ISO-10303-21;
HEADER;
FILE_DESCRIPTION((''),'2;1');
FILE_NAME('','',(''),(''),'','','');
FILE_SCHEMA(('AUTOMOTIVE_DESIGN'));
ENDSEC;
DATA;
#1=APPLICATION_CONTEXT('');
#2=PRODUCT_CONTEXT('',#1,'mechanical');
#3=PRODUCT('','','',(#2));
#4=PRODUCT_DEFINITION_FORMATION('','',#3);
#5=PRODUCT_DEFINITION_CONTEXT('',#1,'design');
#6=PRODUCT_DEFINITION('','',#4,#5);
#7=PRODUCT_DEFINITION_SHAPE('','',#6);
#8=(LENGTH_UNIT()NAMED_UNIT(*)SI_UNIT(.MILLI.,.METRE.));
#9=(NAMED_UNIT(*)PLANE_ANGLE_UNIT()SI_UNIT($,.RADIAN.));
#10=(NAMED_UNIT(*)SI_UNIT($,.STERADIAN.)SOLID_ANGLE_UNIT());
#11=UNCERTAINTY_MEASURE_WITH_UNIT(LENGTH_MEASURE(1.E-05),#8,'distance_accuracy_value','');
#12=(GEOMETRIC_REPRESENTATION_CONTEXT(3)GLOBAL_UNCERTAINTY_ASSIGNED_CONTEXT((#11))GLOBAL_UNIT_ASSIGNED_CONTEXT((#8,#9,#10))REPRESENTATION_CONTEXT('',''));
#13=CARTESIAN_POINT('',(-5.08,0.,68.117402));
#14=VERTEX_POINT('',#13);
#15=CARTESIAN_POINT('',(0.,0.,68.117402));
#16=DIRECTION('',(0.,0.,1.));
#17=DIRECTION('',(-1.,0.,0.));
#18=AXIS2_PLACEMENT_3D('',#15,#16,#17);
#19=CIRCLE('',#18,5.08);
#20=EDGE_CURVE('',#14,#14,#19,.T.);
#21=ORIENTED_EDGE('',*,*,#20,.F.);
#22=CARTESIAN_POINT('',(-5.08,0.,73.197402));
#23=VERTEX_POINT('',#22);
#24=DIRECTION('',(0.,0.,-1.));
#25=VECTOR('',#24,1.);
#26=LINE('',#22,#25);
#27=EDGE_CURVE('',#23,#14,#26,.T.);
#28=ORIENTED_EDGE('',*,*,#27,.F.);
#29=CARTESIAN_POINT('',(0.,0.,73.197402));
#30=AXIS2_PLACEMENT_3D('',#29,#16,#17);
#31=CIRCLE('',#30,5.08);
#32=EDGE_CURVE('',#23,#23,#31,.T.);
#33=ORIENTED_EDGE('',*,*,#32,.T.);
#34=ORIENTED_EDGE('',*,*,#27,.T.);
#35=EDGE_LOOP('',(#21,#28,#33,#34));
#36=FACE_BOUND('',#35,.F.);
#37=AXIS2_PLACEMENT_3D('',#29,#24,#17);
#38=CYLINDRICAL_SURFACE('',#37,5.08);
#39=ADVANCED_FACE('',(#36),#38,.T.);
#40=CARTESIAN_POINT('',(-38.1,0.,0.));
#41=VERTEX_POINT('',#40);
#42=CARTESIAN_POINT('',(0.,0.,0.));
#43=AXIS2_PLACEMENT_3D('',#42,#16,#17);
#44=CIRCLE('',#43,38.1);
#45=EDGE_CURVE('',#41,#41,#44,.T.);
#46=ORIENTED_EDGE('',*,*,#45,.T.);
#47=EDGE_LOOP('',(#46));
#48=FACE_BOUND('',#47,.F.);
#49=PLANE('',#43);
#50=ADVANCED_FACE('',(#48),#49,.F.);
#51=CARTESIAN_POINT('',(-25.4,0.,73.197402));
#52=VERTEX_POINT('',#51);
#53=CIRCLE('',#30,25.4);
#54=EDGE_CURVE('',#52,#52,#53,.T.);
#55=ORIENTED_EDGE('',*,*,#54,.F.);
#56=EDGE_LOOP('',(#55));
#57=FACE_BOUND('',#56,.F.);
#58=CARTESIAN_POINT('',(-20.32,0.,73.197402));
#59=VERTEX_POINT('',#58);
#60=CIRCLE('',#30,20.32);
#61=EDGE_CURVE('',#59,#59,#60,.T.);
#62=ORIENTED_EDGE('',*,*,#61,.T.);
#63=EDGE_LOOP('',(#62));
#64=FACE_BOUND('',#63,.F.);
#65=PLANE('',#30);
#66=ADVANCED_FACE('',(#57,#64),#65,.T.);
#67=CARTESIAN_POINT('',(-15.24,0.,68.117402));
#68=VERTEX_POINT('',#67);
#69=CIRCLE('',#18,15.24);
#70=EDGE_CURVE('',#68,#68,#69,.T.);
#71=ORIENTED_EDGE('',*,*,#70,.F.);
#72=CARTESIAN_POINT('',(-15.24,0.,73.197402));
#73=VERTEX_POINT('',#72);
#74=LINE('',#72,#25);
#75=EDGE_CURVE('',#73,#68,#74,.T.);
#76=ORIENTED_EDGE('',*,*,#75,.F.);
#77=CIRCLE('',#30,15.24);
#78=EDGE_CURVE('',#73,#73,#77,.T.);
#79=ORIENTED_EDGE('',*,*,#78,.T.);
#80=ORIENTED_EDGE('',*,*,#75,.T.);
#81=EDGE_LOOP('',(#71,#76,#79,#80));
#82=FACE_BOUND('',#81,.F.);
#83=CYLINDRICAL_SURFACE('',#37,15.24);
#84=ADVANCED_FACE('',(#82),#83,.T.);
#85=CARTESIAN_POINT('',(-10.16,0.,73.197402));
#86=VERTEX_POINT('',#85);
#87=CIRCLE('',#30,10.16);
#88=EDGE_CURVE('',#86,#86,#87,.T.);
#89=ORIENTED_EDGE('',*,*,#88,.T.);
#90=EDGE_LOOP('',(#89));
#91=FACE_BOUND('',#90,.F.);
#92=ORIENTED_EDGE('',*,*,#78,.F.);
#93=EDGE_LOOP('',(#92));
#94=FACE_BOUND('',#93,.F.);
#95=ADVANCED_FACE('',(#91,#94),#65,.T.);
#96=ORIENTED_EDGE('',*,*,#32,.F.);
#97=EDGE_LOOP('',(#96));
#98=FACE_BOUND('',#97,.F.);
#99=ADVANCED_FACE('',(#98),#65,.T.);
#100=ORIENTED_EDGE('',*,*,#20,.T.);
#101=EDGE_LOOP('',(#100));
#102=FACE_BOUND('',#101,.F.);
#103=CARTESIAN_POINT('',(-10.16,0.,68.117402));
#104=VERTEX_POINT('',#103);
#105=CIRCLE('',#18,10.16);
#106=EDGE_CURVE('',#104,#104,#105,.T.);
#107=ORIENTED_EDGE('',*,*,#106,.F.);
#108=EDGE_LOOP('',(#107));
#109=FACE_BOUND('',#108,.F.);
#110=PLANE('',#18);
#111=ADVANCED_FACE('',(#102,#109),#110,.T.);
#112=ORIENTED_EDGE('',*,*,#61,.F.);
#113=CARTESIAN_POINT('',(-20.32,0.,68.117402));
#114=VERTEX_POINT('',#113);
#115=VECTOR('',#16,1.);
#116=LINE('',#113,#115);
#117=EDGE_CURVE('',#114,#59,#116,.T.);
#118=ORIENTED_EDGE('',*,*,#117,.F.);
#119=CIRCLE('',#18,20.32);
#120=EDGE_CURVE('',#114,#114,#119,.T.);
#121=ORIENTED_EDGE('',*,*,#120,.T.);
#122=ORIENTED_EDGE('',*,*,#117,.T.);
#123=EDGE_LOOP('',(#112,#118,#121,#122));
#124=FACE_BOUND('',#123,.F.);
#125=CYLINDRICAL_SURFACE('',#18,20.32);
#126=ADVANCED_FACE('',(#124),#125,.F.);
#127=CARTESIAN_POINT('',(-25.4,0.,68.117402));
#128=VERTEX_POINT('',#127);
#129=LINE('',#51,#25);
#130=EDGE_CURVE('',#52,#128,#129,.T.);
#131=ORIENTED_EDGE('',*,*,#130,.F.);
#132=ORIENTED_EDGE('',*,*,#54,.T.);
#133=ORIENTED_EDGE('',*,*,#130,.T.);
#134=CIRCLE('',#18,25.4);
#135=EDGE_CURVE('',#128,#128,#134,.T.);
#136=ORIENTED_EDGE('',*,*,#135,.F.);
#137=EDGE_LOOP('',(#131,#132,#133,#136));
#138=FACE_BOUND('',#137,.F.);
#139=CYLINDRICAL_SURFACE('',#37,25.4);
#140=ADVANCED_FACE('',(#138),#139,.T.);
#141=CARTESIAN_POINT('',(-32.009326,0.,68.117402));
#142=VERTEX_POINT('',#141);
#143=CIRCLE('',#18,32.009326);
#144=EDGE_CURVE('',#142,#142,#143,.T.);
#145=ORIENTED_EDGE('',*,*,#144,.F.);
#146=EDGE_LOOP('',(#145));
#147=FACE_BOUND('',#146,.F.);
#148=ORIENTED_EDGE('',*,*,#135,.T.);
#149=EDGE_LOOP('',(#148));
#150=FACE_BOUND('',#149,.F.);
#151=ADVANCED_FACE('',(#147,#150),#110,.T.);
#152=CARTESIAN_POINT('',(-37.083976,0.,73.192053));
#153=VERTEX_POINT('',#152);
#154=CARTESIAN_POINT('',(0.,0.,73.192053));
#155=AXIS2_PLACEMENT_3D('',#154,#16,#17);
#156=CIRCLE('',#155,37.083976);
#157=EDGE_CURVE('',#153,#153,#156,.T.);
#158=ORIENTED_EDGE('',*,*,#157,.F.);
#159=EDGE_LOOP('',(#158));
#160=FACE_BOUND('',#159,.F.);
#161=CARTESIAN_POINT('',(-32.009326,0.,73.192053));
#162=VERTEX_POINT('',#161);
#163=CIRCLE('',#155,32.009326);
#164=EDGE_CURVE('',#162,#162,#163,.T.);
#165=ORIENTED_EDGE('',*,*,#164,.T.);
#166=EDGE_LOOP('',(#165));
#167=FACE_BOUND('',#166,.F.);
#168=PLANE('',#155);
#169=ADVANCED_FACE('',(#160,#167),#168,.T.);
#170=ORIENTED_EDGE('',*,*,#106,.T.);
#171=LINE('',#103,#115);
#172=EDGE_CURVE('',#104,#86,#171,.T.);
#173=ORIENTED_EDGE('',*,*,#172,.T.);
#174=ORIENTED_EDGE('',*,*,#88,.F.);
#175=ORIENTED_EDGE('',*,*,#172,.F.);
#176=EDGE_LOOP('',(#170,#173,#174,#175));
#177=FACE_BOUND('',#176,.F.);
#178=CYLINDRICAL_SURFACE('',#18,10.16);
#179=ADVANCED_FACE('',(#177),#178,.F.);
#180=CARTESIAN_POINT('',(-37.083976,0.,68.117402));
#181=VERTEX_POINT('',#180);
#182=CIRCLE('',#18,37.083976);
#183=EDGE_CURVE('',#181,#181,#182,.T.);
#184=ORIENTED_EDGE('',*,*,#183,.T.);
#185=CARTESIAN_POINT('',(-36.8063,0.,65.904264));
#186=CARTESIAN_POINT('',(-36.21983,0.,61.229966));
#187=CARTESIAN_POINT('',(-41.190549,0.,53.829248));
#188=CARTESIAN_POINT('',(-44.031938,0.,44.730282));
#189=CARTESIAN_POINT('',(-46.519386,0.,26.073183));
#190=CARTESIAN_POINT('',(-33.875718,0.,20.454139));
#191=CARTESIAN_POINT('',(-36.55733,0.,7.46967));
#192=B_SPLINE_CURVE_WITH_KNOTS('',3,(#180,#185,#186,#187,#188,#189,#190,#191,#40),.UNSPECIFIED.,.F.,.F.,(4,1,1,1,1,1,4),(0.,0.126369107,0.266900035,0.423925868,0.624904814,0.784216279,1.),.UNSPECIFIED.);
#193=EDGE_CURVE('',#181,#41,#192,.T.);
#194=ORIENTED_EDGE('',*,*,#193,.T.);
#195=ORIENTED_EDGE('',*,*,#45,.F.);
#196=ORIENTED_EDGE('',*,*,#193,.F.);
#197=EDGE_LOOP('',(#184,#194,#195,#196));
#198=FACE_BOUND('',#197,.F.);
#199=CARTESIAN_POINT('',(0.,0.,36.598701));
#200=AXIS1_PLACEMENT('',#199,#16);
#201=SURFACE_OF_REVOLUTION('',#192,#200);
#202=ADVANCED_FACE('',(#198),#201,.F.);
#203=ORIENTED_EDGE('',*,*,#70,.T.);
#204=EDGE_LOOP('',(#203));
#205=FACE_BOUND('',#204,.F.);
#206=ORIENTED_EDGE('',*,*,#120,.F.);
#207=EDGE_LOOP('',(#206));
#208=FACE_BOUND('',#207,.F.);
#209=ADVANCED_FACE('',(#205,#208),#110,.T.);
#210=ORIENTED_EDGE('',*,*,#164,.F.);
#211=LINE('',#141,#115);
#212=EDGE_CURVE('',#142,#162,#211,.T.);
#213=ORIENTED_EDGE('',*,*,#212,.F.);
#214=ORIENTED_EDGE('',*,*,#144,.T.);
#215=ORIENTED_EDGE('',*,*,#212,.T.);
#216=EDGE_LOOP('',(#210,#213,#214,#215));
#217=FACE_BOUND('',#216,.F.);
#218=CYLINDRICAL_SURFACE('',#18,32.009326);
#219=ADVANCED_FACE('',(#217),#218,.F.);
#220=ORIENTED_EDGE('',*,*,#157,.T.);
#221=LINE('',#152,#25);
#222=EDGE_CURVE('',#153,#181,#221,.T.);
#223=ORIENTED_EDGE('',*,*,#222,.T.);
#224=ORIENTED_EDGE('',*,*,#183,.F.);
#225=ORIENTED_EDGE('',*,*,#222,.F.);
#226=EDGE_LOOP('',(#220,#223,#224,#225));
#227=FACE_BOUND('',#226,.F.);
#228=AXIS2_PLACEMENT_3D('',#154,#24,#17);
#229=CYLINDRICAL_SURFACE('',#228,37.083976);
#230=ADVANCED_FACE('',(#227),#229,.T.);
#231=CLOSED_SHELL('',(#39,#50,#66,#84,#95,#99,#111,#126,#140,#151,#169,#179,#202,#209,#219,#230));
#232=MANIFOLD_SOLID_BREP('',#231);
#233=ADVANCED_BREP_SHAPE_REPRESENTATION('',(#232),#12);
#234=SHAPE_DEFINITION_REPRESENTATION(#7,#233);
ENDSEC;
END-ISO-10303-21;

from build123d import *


with BuildPart() as f1:
    # F0 (on Front) → F1 (revolve)
    with BuildSketch(Plane.XZ):
        with BuildLine():
            add(Edge.make_bspline(
                [(-37.0839759707, 68.117402494), (-36.8063002234, 65.9042636287), (-36.2198304085, 61.2299658081), (-41.1905487968, 53.8292475332), (-44.0319381804, 44.7302817234), (-46.5193861864, 26.0731826506), (-33.8757178745, 20.4541391197), (-36.557329743, 7.4696696659), (-38.1, 0)],
                knots=[0, 0, 0, 0, 0.1263691069, 0.2669000352, 0.4239258678, 0.6249048144, 0.7842162793, 1, 1, 1, 1], degree=3))
            Line((-38.1, 0), (0, 0))
            Line((0, 0), (0, 73.197402494))
            Line((0, 73.197402494), (-5.08, 73.197402494))
            Line((-5.08, 73.197402494), (-5.08, 68.117402494))
            Line((-5.08, 68.117402494), (-10.16, 68.117402494))
            Line((-10.16, 68.117402494), (-10.16, 73.197402494))
            Line((-10.16, 73.197402494), (-15.24, 73.197402494))
            Line((-15.24, 73.197402494), (-15.24, 68.117402494))
            Line((-15.24, 68.117402494), (-20.32, 68.117402494))
            Line((-20.32, 68.117402494), (-20.32, 73.197402494))
            Line((-20.32, 73.197402494), (-25.4, 73.197402494))
            Line((-25.4, 73.197402494), (-25.4, 68.117402494))
            Line((-25.4, 68.117402494), (-32.0093259215, 68.117402494))
            Line((-32.0093259215, 68.117402494), (-32.0093259215, 73.1920525432))
            Line((-32.0093259215, 73.1920525432), (-37.0839759707, 73.1920525432))
            Line((-37.0839759707, 73.1920525432), (-37.0839759707, 68.117402494))
        make_face()
    revolve(axis=Axis((0, 0, 36.598701247), (0, 0, 1)))


solid = f1.part
